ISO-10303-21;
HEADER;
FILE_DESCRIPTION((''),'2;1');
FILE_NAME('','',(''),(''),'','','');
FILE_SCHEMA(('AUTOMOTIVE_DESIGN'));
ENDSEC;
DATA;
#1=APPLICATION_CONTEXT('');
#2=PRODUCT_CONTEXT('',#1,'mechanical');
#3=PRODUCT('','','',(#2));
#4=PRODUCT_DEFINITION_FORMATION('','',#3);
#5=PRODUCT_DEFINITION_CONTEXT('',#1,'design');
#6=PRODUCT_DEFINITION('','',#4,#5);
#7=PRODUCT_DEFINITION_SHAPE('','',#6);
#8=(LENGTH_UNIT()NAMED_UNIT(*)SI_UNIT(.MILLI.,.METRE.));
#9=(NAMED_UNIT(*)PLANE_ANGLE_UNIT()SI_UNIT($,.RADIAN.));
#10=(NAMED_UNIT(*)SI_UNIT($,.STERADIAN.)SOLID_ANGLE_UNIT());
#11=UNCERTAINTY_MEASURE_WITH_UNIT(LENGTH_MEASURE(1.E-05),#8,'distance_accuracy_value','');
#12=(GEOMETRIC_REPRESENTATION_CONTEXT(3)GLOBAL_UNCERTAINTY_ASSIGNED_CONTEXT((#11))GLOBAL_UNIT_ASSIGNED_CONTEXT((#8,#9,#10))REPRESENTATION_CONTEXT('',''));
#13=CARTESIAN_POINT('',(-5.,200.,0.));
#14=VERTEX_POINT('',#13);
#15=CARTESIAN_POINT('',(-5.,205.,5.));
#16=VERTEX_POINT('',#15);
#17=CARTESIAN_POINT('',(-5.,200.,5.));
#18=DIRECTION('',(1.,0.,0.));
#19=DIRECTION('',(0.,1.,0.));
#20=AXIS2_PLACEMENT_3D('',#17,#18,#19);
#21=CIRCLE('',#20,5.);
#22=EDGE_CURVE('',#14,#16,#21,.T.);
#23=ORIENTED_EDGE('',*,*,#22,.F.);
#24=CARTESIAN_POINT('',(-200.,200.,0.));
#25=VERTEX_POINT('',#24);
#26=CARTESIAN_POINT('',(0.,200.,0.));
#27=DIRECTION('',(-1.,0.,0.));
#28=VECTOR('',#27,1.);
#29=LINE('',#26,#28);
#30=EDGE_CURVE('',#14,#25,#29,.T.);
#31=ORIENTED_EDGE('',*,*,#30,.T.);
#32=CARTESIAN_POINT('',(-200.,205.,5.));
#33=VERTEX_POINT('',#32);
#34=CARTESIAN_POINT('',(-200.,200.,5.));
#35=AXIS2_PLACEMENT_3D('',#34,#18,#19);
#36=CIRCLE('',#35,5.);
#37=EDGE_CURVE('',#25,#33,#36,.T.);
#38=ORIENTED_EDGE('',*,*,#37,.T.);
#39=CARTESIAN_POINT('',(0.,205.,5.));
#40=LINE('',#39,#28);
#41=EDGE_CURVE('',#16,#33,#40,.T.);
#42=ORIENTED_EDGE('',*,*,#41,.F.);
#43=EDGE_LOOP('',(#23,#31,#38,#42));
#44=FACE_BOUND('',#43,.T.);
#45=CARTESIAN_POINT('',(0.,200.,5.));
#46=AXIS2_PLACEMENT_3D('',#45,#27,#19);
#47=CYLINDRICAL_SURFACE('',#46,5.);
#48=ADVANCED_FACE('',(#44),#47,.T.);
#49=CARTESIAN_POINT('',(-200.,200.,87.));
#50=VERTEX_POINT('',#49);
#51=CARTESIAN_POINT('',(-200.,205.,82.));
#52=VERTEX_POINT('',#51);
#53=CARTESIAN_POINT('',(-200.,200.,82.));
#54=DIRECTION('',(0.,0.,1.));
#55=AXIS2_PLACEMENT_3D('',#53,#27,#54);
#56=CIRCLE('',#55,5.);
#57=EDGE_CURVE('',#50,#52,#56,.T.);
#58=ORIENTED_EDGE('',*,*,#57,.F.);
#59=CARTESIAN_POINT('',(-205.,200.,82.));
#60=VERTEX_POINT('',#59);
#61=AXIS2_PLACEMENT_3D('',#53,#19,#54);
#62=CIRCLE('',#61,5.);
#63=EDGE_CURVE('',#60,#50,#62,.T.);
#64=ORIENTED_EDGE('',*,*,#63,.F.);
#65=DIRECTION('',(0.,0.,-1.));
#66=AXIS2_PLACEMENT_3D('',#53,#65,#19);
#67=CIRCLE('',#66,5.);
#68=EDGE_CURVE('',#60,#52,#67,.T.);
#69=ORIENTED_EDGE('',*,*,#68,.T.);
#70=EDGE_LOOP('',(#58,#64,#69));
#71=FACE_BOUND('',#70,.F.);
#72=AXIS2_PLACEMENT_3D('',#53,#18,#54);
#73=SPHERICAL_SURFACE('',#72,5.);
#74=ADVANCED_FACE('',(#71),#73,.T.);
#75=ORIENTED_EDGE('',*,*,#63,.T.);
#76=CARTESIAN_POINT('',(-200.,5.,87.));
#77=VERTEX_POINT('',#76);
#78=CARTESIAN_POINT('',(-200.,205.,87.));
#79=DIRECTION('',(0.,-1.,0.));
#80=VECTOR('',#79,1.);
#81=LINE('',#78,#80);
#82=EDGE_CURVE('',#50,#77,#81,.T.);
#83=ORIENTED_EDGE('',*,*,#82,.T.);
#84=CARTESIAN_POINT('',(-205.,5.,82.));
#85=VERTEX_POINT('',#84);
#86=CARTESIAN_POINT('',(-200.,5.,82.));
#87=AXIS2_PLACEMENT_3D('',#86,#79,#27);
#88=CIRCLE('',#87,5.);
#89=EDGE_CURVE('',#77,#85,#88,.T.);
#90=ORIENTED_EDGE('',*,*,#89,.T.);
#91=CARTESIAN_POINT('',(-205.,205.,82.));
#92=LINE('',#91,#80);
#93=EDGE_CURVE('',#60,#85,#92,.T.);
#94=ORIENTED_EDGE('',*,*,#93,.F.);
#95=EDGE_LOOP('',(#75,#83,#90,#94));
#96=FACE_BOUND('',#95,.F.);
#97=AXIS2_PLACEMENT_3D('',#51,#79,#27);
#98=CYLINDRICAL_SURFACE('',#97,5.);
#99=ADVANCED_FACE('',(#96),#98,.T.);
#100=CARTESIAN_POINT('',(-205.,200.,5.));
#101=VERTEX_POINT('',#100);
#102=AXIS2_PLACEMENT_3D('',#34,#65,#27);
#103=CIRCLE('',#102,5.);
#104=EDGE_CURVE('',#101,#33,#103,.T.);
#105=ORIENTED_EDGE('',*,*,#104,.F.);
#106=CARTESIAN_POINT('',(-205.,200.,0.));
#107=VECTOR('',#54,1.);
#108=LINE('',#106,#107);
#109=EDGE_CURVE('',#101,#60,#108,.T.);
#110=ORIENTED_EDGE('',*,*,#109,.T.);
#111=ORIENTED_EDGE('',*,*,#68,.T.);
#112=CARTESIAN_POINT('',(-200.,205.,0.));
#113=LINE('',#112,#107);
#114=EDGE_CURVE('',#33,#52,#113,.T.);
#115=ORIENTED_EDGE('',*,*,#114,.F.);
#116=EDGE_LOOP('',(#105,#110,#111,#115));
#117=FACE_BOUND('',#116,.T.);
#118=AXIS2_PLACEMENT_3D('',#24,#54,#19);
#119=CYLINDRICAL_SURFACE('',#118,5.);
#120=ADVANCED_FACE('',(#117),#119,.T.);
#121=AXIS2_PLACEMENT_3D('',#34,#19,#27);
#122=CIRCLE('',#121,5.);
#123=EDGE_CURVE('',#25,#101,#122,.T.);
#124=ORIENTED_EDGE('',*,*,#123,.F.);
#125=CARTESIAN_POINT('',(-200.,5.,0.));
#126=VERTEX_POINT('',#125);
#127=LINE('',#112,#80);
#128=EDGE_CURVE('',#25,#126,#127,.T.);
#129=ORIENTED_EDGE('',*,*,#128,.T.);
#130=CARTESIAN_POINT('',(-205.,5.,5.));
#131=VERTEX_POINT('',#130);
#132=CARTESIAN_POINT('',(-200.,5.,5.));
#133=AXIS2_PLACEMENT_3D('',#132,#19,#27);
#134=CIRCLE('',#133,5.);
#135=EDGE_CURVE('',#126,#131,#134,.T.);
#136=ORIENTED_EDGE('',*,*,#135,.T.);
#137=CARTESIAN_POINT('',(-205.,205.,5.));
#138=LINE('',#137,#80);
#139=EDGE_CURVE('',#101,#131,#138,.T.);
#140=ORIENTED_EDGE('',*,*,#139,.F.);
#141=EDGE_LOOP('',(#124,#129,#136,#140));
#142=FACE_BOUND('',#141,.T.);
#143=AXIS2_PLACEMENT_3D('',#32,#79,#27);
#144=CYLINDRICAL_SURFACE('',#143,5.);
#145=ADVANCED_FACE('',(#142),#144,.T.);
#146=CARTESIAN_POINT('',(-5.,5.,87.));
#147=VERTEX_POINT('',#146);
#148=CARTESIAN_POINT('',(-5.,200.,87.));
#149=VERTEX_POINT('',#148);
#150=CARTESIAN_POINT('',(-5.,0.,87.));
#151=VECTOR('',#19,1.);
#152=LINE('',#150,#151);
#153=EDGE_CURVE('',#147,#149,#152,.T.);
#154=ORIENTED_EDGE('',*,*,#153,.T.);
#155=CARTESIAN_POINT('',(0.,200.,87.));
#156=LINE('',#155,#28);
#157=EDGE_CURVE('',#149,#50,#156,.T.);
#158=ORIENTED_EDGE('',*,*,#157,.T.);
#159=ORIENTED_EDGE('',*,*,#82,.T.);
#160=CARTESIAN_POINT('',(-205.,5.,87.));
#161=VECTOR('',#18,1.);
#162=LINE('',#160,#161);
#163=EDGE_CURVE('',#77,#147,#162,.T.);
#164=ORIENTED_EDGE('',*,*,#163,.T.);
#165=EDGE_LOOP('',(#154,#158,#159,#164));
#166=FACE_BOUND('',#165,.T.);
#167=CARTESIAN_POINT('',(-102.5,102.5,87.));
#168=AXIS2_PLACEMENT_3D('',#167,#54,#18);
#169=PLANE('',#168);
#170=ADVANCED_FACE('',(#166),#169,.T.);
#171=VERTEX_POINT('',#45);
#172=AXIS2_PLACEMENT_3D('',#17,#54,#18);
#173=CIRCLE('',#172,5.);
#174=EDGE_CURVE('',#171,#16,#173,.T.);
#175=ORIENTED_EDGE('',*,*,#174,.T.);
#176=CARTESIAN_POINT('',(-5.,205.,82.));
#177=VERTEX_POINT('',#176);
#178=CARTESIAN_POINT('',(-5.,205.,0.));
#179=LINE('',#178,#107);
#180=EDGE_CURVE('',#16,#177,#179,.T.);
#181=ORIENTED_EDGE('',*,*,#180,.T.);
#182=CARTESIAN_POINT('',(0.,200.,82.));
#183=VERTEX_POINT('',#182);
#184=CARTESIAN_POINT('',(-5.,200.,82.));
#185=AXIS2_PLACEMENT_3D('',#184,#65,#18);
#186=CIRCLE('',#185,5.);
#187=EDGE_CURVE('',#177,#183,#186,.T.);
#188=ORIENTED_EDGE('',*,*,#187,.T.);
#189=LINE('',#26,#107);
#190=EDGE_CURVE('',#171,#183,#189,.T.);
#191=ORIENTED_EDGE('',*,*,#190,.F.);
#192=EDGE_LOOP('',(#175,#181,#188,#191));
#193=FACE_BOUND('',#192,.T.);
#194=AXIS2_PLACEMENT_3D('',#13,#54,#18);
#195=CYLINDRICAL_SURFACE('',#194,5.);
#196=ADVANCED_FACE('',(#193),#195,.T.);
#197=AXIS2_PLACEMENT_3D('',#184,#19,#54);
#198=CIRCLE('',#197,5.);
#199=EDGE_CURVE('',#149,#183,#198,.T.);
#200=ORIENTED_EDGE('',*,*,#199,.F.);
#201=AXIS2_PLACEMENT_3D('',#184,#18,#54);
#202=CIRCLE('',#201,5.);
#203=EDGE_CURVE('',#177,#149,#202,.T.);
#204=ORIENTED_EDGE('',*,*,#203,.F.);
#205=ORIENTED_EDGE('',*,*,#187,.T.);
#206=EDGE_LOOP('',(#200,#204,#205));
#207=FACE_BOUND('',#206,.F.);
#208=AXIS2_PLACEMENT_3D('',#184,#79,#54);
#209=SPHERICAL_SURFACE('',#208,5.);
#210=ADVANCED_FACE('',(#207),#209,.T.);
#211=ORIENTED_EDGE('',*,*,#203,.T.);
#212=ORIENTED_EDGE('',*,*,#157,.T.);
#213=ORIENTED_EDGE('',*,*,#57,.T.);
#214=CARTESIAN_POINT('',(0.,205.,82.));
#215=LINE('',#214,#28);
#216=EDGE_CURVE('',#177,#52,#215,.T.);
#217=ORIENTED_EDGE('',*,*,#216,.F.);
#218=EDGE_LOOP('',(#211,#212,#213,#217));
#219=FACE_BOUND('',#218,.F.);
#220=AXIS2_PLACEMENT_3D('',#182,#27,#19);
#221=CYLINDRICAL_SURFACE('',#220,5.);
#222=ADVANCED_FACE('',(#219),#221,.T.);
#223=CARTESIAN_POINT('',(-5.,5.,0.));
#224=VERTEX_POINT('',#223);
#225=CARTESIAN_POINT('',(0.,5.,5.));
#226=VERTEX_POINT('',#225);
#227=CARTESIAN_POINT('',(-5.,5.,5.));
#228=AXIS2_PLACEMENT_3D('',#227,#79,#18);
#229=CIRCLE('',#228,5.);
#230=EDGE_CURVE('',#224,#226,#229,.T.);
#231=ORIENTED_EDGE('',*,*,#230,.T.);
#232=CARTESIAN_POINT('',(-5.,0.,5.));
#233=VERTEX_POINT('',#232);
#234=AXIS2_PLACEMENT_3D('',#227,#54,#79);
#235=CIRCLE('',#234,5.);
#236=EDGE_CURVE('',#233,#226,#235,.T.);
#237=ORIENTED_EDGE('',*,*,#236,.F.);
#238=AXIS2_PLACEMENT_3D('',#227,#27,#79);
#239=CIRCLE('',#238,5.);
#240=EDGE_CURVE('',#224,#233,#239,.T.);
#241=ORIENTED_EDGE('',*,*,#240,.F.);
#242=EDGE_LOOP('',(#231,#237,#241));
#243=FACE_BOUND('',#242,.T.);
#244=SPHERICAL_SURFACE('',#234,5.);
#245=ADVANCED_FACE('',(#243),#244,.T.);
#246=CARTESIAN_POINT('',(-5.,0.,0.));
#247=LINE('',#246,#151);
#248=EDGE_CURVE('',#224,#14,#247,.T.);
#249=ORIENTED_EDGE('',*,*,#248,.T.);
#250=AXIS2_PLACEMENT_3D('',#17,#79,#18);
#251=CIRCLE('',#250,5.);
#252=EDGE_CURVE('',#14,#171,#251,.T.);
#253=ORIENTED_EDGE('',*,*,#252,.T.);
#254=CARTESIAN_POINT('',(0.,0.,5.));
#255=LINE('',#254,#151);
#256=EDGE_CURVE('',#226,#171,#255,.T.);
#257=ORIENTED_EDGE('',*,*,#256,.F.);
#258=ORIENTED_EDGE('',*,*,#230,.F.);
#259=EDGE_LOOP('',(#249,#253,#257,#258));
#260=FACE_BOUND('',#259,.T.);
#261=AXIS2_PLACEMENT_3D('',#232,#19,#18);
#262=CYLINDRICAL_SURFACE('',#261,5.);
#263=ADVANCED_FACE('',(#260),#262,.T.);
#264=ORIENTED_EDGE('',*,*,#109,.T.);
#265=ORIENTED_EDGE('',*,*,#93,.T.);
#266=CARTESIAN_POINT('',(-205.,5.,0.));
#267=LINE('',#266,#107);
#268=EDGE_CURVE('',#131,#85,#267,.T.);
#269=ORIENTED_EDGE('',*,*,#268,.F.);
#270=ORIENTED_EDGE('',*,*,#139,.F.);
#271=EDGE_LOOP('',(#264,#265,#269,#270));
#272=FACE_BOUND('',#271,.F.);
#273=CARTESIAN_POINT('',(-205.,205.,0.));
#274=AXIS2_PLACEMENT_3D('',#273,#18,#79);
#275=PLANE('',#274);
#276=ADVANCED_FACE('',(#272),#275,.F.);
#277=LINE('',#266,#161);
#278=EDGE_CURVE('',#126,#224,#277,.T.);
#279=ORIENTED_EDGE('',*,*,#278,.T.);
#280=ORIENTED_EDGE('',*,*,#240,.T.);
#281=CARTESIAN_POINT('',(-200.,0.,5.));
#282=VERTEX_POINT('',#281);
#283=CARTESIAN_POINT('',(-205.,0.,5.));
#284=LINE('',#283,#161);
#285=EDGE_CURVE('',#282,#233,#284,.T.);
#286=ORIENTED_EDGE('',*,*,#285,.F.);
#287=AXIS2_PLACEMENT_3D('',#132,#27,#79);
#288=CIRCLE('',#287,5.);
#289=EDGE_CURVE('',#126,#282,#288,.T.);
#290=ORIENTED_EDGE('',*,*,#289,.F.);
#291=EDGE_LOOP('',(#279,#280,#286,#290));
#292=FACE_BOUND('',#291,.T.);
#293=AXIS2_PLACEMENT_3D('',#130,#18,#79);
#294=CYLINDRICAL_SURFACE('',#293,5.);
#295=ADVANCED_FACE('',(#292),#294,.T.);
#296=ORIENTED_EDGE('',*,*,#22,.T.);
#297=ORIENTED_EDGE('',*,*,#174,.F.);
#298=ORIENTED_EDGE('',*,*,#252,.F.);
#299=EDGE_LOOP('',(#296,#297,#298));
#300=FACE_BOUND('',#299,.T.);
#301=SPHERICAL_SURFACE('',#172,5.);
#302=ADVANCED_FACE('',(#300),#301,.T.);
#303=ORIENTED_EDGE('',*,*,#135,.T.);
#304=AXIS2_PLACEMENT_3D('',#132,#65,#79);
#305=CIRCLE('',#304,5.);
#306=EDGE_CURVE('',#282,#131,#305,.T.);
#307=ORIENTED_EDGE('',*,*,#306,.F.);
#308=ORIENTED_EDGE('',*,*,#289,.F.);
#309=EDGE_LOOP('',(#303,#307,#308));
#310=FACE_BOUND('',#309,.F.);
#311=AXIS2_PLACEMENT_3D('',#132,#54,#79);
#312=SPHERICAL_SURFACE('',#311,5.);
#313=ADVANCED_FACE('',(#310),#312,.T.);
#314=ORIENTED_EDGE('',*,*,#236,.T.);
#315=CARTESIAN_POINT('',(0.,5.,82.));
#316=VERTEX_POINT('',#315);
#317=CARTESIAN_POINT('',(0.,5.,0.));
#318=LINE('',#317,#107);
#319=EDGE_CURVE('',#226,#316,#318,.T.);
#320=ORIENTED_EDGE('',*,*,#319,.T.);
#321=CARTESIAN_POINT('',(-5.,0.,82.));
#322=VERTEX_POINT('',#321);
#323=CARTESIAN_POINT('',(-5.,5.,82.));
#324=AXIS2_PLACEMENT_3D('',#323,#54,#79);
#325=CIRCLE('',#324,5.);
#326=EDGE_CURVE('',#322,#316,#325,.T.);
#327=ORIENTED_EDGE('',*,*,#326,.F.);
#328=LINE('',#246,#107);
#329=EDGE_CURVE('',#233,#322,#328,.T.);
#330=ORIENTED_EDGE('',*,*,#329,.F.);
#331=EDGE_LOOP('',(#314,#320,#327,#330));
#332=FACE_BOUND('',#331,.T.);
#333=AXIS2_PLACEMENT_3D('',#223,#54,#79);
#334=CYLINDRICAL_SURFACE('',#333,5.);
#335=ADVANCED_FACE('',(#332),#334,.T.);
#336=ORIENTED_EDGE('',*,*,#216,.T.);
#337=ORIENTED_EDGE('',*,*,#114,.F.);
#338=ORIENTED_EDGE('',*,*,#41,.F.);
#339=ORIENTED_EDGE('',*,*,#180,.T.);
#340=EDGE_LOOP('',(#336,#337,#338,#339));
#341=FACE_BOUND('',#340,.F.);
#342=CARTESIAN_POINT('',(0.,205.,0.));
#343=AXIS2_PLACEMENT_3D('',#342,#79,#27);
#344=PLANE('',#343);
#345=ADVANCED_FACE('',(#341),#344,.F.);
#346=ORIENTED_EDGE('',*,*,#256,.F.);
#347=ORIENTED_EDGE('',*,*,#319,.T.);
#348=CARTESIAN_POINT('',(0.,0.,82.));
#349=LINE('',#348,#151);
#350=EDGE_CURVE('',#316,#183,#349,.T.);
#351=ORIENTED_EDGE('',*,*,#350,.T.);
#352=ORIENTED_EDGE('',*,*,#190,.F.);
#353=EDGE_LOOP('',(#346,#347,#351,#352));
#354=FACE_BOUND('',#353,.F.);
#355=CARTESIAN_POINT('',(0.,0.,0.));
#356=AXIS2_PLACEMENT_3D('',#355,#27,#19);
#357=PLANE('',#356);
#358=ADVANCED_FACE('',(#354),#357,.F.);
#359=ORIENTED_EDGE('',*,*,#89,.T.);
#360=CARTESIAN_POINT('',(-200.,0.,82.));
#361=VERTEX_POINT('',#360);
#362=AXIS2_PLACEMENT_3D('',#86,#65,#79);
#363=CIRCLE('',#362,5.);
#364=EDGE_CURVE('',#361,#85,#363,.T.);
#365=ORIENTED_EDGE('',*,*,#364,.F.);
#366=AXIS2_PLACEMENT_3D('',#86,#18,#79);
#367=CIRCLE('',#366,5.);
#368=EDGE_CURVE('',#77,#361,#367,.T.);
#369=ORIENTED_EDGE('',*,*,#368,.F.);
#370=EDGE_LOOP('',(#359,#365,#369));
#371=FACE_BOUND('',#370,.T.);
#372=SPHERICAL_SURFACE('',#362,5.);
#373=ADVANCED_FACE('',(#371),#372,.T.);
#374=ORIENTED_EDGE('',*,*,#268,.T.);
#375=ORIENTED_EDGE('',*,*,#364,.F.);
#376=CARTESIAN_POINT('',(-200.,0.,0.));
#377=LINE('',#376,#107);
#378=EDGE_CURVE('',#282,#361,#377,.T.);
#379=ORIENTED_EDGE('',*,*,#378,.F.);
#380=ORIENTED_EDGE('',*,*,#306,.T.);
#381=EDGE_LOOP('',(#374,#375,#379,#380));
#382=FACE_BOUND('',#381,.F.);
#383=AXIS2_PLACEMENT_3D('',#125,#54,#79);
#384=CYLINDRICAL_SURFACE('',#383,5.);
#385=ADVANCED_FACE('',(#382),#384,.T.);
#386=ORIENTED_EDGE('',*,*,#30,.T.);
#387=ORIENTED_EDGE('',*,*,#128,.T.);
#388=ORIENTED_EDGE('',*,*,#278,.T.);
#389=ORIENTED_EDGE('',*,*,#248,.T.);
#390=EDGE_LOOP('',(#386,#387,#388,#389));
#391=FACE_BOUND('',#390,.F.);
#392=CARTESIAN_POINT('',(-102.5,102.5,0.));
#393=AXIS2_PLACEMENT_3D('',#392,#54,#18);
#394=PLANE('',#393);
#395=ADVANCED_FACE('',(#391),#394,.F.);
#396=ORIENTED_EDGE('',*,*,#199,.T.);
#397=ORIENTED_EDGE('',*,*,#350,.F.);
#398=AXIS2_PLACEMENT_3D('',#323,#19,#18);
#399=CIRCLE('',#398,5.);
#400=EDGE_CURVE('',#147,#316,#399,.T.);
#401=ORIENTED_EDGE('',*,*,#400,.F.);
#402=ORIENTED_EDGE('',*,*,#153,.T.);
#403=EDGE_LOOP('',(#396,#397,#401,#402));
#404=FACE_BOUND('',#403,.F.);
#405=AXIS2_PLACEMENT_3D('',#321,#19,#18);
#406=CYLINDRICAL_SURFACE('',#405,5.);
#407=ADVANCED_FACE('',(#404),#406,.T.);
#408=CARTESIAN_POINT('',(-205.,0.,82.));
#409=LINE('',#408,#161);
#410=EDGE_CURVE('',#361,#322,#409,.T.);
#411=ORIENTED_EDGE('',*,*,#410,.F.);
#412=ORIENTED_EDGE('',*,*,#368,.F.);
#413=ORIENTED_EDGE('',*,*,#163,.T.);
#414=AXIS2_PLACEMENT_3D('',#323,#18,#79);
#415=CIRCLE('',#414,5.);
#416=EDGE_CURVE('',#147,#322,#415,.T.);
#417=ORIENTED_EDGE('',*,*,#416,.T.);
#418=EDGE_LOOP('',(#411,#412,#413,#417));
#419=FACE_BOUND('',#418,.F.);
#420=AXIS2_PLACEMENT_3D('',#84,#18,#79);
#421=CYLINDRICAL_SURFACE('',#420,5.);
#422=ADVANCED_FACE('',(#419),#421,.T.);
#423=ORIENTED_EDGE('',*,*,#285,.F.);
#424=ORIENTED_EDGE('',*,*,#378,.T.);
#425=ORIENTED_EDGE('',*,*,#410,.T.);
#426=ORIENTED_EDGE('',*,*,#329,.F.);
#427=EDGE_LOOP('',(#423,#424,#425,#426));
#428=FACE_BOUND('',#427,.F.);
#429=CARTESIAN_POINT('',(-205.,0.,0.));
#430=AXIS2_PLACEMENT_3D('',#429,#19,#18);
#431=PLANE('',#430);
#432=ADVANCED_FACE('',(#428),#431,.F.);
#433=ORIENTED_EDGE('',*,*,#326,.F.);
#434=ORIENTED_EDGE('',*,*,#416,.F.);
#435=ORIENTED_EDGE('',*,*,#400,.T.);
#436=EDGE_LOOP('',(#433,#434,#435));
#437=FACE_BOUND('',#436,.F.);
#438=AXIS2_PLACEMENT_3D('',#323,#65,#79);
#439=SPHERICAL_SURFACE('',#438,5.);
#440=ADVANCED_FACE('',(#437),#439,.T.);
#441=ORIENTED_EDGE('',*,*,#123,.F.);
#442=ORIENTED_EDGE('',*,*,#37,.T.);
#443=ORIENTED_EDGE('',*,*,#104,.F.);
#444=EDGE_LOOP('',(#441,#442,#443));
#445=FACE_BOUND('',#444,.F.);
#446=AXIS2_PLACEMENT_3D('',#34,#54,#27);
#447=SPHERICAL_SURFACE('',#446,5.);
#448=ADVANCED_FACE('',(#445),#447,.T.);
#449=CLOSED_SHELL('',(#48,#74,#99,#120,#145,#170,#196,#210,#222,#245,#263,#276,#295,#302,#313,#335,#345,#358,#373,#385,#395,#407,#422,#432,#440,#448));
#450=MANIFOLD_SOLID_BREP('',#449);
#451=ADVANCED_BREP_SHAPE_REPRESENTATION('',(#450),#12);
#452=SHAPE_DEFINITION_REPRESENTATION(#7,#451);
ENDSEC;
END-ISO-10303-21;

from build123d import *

# Parameters (mm, degrees)
F1_DEPTH = 87
F2_R     = 5


with BuildPart() as f1:
    # F0 (on Top) → F1 (new body)
    with BuildSketch(Plane.XY):
        Polygon((-205, 0), (0, 0), (0, 23.485435), (0, 205), (-205, 205), align=None)
    extrude(amount=F1_DEPTH)

    # F2
    f2_edges = [f1.edges().sort_by_distance(p)[0] for p in [
        (-205, 0, 43.5),
        (0, 0, 43.5),
        (-102.5, 0, 0),
        (-102.5, 0, 87),
        (0, 102.5, 87),
        (-102.5, 205, 87),
        (-205, 102.5, 87),
        (0, 205, 43.5),
        (0, 102.5, 0),
        (-205, 205, 43.5),
        (-205, 102.5, 0),
        (-102.5, 205, 0),
    ]]
    fillet(f2_edges, radius=F2_R)


solid = f1.part
